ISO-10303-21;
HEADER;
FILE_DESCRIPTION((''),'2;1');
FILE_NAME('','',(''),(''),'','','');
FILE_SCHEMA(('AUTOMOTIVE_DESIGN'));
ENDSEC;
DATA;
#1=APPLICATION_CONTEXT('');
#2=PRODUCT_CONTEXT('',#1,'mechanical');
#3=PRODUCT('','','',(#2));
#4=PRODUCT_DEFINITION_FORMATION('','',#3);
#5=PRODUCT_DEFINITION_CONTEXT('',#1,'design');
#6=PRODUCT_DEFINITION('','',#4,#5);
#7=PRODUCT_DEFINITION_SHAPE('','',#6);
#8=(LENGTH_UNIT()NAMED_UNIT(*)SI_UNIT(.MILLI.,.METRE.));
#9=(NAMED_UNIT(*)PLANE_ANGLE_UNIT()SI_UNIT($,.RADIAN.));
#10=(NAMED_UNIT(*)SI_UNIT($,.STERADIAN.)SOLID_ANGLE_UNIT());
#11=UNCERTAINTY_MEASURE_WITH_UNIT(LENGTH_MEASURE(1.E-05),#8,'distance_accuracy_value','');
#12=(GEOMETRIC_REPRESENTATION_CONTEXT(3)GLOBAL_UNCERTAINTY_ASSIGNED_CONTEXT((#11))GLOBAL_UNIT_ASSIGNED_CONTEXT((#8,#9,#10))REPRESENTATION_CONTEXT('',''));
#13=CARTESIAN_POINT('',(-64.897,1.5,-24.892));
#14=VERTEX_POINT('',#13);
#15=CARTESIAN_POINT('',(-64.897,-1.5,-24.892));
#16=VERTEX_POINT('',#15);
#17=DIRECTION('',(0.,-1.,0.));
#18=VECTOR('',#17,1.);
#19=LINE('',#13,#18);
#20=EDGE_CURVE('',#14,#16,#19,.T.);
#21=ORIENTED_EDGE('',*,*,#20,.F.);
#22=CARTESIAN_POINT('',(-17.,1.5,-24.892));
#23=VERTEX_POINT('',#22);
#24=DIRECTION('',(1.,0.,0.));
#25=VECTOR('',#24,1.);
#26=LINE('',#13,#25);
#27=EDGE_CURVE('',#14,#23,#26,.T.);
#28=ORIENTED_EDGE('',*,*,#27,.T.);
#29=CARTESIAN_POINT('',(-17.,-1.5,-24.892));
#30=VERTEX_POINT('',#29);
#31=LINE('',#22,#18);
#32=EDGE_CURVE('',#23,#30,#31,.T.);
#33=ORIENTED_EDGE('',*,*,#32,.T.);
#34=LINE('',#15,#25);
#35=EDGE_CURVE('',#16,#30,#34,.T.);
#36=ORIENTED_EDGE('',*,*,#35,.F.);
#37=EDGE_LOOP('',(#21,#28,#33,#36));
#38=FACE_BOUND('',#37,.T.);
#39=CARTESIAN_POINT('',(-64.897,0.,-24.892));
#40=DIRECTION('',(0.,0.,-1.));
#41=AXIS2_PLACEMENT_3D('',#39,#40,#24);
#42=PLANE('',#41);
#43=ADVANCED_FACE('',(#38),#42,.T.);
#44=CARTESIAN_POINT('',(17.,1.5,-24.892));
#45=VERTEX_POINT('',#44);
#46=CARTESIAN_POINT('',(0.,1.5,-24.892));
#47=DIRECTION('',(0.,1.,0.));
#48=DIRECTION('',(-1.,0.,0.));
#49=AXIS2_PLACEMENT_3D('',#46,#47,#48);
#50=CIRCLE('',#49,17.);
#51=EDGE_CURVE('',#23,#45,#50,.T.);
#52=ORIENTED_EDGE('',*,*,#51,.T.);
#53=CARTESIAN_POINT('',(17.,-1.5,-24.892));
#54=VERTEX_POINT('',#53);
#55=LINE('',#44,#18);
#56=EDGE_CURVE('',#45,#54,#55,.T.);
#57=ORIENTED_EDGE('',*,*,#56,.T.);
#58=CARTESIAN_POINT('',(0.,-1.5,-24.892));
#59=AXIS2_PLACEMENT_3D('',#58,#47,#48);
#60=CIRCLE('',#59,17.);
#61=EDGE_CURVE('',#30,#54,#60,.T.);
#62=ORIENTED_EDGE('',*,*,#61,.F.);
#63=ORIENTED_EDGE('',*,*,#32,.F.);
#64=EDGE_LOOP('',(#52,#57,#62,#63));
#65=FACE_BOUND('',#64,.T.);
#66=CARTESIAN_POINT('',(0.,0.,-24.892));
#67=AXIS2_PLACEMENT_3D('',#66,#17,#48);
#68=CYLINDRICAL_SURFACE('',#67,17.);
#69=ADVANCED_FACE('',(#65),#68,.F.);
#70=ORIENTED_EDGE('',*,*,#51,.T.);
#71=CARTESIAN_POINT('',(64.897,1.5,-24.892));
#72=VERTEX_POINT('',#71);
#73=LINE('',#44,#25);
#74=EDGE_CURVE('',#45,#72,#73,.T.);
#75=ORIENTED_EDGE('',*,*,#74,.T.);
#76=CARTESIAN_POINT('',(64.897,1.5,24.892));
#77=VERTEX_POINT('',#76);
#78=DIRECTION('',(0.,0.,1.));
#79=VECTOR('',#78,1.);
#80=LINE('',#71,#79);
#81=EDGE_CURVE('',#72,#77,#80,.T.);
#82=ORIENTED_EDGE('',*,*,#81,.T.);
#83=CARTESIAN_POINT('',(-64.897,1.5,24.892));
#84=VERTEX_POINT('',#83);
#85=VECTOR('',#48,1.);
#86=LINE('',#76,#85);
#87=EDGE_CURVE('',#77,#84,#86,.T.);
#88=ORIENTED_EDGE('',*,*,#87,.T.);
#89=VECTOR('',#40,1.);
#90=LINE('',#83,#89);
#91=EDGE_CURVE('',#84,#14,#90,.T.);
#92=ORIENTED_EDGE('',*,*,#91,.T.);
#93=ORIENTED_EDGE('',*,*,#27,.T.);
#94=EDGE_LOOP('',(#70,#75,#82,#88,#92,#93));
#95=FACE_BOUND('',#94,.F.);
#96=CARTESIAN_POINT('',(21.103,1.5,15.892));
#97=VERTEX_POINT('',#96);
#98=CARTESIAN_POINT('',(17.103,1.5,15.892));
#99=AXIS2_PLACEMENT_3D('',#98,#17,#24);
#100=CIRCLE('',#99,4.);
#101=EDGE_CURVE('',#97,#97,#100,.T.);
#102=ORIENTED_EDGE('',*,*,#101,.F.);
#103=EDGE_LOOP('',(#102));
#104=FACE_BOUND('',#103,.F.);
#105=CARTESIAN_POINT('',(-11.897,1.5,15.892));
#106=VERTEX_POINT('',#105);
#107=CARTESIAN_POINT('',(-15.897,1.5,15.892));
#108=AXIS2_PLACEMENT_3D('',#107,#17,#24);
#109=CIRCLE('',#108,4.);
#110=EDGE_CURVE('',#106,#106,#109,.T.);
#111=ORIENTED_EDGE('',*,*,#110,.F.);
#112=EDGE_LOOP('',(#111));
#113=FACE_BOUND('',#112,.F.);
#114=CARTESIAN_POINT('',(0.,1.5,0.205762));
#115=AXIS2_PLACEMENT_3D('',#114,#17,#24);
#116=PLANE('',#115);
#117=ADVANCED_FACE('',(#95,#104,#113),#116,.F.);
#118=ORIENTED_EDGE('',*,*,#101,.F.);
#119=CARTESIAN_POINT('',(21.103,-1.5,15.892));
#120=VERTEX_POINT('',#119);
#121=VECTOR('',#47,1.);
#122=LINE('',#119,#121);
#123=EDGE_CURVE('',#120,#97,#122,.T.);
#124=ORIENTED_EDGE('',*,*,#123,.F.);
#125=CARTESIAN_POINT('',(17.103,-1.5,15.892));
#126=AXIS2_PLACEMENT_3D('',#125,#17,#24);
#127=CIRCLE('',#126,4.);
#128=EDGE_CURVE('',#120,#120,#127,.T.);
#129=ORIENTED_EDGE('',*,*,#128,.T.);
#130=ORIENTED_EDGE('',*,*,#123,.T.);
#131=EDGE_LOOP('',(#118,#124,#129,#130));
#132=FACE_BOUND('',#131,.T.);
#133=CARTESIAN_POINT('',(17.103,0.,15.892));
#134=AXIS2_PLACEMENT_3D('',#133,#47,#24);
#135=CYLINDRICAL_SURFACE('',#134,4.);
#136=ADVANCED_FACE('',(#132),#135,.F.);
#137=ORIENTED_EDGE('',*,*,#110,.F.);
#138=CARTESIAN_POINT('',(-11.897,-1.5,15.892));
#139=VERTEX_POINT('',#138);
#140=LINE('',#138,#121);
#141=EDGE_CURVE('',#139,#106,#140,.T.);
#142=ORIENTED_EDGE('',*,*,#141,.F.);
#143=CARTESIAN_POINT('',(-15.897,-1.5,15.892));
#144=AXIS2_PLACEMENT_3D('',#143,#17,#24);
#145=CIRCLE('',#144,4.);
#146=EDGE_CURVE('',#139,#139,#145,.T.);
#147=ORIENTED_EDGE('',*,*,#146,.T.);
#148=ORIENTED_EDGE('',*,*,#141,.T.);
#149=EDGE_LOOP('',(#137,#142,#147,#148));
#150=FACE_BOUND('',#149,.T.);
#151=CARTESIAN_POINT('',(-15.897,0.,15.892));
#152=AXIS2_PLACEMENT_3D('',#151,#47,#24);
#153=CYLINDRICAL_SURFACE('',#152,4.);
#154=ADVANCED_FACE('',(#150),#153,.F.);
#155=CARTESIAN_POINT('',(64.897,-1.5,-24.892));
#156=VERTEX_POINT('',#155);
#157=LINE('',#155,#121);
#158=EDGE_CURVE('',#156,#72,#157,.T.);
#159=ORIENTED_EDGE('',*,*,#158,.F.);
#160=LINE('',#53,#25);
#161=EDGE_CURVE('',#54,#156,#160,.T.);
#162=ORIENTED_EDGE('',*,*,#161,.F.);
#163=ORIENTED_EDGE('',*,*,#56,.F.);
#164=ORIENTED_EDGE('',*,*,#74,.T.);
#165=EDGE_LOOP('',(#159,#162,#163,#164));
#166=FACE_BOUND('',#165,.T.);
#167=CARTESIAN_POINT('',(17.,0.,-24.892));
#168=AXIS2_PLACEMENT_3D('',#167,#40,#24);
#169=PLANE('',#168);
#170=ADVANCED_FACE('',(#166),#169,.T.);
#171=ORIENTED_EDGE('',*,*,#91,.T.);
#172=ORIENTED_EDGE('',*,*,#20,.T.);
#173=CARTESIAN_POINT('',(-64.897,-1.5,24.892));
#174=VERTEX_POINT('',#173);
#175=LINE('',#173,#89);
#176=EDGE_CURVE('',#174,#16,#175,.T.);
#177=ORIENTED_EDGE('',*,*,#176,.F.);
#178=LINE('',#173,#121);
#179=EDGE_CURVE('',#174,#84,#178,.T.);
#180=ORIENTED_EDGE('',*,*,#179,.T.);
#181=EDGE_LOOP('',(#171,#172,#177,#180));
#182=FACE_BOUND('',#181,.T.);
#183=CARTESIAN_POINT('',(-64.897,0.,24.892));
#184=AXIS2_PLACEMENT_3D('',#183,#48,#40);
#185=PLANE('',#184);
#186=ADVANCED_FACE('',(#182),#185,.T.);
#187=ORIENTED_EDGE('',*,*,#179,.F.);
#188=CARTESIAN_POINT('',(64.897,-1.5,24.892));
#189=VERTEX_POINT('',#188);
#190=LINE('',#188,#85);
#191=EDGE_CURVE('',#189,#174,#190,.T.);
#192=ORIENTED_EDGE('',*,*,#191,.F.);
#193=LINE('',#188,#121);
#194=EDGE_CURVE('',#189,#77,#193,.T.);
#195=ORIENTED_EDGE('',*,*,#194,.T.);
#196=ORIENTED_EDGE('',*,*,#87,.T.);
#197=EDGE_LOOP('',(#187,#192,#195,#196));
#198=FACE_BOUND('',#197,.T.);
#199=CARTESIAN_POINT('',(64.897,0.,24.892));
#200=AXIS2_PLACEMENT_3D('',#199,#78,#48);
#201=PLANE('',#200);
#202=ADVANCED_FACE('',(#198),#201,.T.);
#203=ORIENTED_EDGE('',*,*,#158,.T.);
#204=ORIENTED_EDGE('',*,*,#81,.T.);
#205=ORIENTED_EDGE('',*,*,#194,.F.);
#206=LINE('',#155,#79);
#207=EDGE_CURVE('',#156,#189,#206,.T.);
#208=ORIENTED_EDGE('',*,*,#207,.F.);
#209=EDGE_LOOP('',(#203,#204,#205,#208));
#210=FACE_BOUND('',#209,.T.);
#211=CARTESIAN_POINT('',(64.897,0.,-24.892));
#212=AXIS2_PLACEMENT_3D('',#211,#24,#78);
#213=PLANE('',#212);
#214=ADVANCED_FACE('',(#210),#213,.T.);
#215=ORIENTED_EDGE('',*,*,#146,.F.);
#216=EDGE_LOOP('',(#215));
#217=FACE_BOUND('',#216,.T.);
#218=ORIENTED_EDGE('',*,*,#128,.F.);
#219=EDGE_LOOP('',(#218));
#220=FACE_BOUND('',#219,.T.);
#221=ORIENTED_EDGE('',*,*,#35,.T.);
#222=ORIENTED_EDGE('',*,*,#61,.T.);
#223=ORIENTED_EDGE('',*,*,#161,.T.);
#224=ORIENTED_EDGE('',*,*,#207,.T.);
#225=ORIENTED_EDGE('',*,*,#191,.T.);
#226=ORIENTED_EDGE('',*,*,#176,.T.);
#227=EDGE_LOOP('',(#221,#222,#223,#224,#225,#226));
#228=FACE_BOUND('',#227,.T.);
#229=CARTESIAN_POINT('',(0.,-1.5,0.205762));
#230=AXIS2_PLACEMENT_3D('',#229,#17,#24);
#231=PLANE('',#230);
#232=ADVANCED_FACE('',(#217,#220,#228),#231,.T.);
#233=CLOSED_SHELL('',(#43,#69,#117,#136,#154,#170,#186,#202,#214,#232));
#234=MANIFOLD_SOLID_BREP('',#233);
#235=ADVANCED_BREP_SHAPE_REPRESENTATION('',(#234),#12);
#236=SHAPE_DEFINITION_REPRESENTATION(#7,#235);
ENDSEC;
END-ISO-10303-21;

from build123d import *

# Parameters (mm, degrees)
F0_R     = 4
F1_DEPTH = 1.5


with BuildPart() as f1:
    # F0 (on Front) → F1 (new body, symmetric)
    with BuildSketch(Plane.XZ):
        with BuildLine():
            Line((-64.897, 24.892), (-64.897, -24.892))
            Line((-64.897, -24.892), (-17, -24.892))
            ThreePointArc((-17, -24.892), (0, -7.892), (17, -24.892))
            Line((17, -24.892), (64.897, -24.892))
            Line((64.897, -24.892), (64.897, 24.892))
            Line((64.897, 24.892), (-64.897, 24.892))
        make_face()
        with Locations((-15.897, 15.892)):
            Circle(F0_R, mode=Mode.SUBTRACT)
        with Locations((17.103, 15.892)):
            Circle(F0_R, mode=Mode.SUBTRACT)
    extrude(amount=F1_DEPTH, both=True)


solid = f1.part
